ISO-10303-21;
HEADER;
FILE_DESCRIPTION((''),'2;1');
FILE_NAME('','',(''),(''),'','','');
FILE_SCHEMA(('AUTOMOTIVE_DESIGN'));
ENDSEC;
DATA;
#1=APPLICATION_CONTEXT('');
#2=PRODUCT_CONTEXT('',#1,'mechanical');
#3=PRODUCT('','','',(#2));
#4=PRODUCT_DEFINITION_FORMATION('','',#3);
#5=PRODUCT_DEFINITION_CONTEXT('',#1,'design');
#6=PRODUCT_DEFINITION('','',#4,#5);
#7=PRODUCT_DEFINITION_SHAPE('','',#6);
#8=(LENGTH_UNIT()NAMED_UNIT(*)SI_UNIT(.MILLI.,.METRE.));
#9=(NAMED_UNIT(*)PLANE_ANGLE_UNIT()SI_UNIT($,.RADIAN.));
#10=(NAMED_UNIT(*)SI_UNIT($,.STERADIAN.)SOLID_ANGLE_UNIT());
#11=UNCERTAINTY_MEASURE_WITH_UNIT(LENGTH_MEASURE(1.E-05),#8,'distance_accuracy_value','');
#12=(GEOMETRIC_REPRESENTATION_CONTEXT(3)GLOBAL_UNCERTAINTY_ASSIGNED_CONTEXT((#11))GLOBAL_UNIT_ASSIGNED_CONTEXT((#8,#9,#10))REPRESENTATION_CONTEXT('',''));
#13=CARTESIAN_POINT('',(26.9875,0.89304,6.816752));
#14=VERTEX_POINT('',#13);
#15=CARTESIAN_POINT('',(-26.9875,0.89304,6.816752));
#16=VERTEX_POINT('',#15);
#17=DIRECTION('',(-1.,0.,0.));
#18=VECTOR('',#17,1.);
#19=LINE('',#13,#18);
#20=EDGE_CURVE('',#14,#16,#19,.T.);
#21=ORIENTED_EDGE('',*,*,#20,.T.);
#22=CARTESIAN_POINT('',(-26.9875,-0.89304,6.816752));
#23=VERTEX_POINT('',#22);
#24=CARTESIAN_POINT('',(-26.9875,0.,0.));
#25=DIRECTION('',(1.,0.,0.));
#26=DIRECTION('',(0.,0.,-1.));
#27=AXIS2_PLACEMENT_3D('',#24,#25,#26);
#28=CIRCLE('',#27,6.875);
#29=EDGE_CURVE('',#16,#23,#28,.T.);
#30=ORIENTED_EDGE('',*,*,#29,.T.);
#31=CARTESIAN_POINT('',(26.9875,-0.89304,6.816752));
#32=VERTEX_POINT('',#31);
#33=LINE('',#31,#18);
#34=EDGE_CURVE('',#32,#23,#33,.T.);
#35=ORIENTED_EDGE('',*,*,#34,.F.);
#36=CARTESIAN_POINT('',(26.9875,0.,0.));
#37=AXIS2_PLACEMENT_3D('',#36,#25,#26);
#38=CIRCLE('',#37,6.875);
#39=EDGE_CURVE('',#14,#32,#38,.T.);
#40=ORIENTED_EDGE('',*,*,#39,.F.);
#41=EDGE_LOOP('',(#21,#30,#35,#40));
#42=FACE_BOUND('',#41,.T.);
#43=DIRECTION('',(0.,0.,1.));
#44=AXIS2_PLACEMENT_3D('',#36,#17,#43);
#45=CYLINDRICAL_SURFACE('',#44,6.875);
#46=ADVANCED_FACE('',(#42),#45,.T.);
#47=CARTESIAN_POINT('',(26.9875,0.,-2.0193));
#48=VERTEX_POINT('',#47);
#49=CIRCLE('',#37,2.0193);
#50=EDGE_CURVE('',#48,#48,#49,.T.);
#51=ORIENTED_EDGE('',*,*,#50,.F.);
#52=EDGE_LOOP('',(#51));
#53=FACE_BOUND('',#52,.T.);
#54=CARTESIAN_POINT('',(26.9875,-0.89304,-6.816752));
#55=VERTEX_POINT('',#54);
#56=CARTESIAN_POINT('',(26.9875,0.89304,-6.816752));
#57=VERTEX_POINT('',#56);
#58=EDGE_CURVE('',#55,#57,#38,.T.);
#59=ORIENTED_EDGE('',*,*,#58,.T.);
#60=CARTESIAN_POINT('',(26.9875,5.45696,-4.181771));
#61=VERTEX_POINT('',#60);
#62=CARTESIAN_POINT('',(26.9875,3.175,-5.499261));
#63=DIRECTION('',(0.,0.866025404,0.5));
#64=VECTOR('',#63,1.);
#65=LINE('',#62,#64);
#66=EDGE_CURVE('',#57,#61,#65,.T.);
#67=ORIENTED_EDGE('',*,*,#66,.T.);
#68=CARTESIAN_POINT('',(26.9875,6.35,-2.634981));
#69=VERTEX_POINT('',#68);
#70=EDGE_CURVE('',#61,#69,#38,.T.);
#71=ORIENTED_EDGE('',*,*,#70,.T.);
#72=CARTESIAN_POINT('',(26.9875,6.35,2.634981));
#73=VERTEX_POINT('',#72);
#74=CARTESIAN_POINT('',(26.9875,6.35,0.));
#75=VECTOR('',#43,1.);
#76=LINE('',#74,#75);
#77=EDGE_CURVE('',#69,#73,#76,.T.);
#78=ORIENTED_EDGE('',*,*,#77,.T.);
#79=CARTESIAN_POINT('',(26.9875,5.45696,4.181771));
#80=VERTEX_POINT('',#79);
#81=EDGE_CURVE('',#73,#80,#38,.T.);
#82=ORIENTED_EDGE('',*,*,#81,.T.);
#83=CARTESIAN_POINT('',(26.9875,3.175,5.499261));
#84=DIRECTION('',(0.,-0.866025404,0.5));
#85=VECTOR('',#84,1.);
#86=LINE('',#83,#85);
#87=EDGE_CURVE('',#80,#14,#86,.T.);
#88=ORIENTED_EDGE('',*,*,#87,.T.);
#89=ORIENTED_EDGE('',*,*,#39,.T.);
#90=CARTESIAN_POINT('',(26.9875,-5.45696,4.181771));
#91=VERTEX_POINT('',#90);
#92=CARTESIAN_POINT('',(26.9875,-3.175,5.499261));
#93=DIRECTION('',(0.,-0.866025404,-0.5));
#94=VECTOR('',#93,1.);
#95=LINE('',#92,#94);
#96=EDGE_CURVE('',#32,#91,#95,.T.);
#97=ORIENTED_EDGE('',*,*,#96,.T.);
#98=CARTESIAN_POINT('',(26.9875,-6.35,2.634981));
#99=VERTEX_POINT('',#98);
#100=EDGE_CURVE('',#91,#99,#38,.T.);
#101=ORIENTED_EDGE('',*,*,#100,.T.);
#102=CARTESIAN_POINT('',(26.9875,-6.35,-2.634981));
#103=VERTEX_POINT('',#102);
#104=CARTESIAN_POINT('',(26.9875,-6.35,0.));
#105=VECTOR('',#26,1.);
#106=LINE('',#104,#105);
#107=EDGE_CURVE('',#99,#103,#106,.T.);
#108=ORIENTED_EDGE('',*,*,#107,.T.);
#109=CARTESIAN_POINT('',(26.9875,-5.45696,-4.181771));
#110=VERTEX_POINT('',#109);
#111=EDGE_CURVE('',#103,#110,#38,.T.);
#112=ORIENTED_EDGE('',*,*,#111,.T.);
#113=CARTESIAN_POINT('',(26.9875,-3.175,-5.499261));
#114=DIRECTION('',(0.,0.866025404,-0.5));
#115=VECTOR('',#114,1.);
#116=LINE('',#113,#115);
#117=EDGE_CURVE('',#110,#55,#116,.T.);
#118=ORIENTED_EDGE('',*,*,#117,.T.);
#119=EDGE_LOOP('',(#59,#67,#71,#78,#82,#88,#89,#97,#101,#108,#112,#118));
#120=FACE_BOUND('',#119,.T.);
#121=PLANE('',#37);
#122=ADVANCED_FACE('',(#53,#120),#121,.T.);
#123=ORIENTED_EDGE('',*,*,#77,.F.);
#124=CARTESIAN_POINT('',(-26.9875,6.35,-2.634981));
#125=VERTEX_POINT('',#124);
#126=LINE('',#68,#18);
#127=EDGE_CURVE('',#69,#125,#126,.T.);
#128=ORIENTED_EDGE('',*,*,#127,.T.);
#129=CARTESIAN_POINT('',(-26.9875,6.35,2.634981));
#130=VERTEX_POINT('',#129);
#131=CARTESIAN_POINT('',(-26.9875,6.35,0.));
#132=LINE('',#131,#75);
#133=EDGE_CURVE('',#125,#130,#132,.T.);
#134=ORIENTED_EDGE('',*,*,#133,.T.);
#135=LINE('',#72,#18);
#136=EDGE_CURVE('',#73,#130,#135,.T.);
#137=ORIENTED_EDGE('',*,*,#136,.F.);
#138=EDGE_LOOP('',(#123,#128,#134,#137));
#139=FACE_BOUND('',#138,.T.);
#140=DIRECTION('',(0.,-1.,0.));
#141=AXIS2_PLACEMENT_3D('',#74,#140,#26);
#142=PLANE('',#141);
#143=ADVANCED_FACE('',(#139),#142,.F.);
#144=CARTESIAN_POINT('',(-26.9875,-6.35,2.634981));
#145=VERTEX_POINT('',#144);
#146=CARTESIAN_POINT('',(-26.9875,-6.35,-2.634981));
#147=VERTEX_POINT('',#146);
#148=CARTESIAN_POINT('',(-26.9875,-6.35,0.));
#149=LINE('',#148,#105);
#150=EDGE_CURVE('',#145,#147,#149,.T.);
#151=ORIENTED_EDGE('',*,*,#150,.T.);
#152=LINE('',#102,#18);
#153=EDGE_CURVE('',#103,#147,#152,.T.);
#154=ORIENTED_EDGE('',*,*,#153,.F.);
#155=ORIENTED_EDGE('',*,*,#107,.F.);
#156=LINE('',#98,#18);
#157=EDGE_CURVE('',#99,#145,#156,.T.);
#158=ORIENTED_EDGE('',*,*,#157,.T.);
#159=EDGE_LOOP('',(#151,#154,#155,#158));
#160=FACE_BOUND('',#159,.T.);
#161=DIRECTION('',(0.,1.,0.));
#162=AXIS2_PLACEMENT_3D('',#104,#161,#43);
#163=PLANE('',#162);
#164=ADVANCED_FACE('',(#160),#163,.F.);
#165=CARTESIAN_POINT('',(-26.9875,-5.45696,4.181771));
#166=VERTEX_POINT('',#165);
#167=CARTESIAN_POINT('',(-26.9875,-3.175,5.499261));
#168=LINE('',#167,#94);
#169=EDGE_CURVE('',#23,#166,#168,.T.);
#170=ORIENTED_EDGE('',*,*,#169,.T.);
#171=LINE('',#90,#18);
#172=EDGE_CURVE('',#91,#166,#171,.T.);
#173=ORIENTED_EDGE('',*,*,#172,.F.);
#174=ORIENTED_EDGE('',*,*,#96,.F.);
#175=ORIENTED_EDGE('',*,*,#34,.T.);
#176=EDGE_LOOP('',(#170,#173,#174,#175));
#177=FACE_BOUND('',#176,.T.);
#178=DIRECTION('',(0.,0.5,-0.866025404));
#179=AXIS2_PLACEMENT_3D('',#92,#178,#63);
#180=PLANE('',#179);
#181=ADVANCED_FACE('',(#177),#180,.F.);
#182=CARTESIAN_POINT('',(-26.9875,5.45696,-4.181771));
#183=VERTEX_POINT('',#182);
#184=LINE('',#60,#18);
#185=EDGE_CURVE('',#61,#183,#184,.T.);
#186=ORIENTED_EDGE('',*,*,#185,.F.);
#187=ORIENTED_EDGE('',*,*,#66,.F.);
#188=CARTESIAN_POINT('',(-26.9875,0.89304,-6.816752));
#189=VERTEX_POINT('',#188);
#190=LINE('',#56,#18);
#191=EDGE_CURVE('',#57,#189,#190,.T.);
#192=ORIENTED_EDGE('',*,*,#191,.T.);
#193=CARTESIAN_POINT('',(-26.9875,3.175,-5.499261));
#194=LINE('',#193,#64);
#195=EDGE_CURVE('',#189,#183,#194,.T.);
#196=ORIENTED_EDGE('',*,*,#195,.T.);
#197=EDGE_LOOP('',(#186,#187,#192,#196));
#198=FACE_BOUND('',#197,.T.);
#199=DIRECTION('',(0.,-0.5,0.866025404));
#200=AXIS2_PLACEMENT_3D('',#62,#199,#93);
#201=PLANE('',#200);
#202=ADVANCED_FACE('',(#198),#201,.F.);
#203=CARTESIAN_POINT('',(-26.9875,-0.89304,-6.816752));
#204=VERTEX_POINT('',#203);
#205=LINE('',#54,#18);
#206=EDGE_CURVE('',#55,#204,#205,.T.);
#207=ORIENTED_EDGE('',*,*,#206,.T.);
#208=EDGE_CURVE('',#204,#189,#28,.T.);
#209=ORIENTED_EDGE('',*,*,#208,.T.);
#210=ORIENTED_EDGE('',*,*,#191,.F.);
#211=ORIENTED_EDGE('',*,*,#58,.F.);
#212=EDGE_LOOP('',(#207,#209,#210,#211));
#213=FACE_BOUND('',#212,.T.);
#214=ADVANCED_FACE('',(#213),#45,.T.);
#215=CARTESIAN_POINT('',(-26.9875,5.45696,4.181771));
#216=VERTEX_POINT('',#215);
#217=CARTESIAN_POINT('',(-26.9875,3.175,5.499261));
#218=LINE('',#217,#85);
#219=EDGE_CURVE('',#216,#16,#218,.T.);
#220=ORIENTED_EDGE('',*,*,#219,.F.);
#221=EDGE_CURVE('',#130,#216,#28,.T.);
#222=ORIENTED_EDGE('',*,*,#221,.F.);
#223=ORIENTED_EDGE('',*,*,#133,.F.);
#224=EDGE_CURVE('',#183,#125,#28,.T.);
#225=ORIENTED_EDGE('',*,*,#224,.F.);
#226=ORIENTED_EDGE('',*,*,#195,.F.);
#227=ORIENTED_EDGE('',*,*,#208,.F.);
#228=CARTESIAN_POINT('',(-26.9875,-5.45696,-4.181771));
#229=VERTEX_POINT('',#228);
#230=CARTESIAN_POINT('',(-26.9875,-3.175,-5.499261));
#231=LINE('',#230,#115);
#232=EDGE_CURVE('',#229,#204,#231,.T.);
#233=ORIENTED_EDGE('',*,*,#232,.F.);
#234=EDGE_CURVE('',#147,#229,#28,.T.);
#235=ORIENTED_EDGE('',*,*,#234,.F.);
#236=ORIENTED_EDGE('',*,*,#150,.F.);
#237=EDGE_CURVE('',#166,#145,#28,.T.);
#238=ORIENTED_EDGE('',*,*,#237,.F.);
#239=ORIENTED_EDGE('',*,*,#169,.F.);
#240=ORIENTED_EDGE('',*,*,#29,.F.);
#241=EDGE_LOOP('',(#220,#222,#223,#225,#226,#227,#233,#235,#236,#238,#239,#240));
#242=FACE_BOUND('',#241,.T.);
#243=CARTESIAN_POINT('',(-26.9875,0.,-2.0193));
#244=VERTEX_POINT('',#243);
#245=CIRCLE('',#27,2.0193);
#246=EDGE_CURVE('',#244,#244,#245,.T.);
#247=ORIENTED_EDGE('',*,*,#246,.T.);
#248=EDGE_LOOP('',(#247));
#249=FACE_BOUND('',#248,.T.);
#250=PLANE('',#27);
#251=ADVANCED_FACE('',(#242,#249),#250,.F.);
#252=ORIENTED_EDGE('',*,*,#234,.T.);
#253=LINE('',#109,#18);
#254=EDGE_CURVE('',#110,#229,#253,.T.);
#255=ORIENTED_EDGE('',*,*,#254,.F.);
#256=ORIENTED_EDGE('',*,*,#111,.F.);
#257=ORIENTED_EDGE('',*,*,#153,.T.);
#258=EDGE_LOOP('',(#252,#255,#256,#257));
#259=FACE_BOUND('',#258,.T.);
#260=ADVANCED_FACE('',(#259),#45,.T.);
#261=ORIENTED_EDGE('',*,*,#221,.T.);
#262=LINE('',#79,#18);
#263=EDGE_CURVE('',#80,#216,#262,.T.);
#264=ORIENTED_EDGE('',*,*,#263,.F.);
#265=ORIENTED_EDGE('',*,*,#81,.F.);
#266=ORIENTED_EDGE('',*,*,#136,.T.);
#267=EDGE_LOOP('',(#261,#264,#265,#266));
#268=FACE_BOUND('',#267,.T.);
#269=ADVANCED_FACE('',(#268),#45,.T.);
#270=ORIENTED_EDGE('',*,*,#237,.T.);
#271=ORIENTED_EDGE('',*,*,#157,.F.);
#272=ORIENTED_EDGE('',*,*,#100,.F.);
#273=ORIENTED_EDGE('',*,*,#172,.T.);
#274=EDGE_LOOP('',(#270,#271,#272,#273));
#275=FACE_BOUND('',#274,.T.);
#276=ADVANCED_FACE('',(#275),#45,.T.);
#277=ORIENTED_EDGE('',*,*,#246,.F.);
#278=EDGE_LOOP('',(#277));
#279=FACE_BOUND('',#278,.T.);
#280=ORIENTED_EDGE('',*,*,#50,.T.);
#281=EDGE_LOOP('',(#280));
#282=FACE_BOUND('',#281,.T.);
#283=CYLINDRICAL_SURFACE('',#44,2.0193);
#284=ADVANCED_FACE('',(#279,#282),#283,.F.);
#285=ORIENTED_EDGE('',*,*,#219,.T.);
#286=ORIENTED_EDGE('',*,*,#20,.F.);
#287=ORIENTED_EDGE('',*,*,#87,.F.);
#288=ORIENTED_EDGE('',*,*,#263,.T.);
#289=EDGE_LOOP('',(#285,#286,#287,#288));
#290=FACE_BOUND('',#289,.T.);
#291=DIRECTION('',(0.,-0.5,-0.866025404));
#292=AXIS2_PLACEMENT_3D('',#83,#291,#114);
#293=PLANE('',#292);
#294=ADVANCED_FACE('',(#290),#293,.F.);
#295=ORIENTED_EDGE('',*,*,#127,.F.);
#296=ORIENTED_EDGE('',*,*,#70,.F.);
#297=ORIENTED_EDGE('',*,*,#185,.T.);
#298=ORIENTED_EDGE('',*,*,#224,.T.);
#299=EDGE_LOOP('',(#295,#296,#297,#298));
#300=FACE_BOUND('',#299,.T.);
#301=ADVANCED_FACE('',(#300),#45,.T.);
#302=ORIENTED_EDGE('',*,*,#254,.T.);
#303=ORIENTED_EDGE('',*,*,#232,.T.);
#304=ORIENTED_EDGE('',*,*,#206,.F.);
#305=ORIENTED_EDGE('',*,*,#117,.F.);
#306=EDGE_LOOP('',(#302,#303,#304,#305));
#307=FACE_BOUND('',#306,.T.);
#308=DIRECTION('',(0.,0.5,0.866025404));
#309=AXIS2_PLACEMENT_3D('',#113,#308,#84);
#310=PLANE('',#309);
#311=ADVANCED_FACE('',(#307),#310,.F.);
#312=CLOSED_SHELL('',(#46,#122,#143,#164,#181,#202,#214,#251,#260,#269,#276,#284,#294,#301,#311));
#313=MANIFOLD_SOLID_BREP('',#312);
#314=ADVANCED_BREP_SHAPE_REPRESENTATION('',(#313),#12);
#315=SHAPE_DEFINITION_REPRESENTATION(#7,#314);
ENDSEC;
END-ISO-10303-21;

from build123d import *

# Parameters (mm, degrees)
SKETCH1_R           = 2.0193
BOSS_EXTRUDE1_DEPTH = 26.9875


with BuildPart() as part:
    # Sketch1 → Boss-Extrude1 (new, symmetric)
    with BuildSketch(Plane(origin=(0, 0, 0), x_dir=(0, 0, -1), z_dir=(1, 0, 0))):
        with BuildLine():
            ThreePointArc((6.874999966, 0), (6.860422465, 0.447468582), (6.816751782, 0.893039571))
            Line((6.816751782, 0.893039571), (4.181770846, 5.456960429))
            ThreePointArc((4.181770846, 5.456960429), (3.437499983, 5.953924622), (2.634980936, 6.35))
            Line((2.634980936, 6.35), (-2.634980936, 6.35))
            ThreePointArc((-2.634980936, 6.35), (-3.437499983, 5.953924622), (-4.181770846, 5.456960429))
            Line((-4.181770846, 5.456960429), (-6.816751782, 0.893039571))
            ThreePointArc((-6.816751782, 0.893039571), (-6.874999966, 0), (-6.816751782, -0.893039571))
            Line((-6.816751782, -0.893039571), (-4.181770846, -5.456960429))
            ThreePointArc((-4.181770846, -5.456960429), (-3.437499983, -5.953924622), (-2.634980936, -6.35))
            Line((-2.634980936, -6.35), (2.634980936, -6.35))
            ThreePointArc((2.634980936, -6.35), (3.437499983, -5.953924622), (4.181770846, -5.456960429))
            Line((4.181770846, -5.456960429), (6.816751782, -0.893039571))
            ThreePointArc((6.816751782, -0.893039571), (6.860422465, -0.447468582), (6.874999966, 0))
        make_face()
        Circle(SKETCH1_R, mode=Mode.SUBTRACT)
    extrude(amount=BOSS_EXTRUDE1_DEPTH, both=True)


solid = part.part
